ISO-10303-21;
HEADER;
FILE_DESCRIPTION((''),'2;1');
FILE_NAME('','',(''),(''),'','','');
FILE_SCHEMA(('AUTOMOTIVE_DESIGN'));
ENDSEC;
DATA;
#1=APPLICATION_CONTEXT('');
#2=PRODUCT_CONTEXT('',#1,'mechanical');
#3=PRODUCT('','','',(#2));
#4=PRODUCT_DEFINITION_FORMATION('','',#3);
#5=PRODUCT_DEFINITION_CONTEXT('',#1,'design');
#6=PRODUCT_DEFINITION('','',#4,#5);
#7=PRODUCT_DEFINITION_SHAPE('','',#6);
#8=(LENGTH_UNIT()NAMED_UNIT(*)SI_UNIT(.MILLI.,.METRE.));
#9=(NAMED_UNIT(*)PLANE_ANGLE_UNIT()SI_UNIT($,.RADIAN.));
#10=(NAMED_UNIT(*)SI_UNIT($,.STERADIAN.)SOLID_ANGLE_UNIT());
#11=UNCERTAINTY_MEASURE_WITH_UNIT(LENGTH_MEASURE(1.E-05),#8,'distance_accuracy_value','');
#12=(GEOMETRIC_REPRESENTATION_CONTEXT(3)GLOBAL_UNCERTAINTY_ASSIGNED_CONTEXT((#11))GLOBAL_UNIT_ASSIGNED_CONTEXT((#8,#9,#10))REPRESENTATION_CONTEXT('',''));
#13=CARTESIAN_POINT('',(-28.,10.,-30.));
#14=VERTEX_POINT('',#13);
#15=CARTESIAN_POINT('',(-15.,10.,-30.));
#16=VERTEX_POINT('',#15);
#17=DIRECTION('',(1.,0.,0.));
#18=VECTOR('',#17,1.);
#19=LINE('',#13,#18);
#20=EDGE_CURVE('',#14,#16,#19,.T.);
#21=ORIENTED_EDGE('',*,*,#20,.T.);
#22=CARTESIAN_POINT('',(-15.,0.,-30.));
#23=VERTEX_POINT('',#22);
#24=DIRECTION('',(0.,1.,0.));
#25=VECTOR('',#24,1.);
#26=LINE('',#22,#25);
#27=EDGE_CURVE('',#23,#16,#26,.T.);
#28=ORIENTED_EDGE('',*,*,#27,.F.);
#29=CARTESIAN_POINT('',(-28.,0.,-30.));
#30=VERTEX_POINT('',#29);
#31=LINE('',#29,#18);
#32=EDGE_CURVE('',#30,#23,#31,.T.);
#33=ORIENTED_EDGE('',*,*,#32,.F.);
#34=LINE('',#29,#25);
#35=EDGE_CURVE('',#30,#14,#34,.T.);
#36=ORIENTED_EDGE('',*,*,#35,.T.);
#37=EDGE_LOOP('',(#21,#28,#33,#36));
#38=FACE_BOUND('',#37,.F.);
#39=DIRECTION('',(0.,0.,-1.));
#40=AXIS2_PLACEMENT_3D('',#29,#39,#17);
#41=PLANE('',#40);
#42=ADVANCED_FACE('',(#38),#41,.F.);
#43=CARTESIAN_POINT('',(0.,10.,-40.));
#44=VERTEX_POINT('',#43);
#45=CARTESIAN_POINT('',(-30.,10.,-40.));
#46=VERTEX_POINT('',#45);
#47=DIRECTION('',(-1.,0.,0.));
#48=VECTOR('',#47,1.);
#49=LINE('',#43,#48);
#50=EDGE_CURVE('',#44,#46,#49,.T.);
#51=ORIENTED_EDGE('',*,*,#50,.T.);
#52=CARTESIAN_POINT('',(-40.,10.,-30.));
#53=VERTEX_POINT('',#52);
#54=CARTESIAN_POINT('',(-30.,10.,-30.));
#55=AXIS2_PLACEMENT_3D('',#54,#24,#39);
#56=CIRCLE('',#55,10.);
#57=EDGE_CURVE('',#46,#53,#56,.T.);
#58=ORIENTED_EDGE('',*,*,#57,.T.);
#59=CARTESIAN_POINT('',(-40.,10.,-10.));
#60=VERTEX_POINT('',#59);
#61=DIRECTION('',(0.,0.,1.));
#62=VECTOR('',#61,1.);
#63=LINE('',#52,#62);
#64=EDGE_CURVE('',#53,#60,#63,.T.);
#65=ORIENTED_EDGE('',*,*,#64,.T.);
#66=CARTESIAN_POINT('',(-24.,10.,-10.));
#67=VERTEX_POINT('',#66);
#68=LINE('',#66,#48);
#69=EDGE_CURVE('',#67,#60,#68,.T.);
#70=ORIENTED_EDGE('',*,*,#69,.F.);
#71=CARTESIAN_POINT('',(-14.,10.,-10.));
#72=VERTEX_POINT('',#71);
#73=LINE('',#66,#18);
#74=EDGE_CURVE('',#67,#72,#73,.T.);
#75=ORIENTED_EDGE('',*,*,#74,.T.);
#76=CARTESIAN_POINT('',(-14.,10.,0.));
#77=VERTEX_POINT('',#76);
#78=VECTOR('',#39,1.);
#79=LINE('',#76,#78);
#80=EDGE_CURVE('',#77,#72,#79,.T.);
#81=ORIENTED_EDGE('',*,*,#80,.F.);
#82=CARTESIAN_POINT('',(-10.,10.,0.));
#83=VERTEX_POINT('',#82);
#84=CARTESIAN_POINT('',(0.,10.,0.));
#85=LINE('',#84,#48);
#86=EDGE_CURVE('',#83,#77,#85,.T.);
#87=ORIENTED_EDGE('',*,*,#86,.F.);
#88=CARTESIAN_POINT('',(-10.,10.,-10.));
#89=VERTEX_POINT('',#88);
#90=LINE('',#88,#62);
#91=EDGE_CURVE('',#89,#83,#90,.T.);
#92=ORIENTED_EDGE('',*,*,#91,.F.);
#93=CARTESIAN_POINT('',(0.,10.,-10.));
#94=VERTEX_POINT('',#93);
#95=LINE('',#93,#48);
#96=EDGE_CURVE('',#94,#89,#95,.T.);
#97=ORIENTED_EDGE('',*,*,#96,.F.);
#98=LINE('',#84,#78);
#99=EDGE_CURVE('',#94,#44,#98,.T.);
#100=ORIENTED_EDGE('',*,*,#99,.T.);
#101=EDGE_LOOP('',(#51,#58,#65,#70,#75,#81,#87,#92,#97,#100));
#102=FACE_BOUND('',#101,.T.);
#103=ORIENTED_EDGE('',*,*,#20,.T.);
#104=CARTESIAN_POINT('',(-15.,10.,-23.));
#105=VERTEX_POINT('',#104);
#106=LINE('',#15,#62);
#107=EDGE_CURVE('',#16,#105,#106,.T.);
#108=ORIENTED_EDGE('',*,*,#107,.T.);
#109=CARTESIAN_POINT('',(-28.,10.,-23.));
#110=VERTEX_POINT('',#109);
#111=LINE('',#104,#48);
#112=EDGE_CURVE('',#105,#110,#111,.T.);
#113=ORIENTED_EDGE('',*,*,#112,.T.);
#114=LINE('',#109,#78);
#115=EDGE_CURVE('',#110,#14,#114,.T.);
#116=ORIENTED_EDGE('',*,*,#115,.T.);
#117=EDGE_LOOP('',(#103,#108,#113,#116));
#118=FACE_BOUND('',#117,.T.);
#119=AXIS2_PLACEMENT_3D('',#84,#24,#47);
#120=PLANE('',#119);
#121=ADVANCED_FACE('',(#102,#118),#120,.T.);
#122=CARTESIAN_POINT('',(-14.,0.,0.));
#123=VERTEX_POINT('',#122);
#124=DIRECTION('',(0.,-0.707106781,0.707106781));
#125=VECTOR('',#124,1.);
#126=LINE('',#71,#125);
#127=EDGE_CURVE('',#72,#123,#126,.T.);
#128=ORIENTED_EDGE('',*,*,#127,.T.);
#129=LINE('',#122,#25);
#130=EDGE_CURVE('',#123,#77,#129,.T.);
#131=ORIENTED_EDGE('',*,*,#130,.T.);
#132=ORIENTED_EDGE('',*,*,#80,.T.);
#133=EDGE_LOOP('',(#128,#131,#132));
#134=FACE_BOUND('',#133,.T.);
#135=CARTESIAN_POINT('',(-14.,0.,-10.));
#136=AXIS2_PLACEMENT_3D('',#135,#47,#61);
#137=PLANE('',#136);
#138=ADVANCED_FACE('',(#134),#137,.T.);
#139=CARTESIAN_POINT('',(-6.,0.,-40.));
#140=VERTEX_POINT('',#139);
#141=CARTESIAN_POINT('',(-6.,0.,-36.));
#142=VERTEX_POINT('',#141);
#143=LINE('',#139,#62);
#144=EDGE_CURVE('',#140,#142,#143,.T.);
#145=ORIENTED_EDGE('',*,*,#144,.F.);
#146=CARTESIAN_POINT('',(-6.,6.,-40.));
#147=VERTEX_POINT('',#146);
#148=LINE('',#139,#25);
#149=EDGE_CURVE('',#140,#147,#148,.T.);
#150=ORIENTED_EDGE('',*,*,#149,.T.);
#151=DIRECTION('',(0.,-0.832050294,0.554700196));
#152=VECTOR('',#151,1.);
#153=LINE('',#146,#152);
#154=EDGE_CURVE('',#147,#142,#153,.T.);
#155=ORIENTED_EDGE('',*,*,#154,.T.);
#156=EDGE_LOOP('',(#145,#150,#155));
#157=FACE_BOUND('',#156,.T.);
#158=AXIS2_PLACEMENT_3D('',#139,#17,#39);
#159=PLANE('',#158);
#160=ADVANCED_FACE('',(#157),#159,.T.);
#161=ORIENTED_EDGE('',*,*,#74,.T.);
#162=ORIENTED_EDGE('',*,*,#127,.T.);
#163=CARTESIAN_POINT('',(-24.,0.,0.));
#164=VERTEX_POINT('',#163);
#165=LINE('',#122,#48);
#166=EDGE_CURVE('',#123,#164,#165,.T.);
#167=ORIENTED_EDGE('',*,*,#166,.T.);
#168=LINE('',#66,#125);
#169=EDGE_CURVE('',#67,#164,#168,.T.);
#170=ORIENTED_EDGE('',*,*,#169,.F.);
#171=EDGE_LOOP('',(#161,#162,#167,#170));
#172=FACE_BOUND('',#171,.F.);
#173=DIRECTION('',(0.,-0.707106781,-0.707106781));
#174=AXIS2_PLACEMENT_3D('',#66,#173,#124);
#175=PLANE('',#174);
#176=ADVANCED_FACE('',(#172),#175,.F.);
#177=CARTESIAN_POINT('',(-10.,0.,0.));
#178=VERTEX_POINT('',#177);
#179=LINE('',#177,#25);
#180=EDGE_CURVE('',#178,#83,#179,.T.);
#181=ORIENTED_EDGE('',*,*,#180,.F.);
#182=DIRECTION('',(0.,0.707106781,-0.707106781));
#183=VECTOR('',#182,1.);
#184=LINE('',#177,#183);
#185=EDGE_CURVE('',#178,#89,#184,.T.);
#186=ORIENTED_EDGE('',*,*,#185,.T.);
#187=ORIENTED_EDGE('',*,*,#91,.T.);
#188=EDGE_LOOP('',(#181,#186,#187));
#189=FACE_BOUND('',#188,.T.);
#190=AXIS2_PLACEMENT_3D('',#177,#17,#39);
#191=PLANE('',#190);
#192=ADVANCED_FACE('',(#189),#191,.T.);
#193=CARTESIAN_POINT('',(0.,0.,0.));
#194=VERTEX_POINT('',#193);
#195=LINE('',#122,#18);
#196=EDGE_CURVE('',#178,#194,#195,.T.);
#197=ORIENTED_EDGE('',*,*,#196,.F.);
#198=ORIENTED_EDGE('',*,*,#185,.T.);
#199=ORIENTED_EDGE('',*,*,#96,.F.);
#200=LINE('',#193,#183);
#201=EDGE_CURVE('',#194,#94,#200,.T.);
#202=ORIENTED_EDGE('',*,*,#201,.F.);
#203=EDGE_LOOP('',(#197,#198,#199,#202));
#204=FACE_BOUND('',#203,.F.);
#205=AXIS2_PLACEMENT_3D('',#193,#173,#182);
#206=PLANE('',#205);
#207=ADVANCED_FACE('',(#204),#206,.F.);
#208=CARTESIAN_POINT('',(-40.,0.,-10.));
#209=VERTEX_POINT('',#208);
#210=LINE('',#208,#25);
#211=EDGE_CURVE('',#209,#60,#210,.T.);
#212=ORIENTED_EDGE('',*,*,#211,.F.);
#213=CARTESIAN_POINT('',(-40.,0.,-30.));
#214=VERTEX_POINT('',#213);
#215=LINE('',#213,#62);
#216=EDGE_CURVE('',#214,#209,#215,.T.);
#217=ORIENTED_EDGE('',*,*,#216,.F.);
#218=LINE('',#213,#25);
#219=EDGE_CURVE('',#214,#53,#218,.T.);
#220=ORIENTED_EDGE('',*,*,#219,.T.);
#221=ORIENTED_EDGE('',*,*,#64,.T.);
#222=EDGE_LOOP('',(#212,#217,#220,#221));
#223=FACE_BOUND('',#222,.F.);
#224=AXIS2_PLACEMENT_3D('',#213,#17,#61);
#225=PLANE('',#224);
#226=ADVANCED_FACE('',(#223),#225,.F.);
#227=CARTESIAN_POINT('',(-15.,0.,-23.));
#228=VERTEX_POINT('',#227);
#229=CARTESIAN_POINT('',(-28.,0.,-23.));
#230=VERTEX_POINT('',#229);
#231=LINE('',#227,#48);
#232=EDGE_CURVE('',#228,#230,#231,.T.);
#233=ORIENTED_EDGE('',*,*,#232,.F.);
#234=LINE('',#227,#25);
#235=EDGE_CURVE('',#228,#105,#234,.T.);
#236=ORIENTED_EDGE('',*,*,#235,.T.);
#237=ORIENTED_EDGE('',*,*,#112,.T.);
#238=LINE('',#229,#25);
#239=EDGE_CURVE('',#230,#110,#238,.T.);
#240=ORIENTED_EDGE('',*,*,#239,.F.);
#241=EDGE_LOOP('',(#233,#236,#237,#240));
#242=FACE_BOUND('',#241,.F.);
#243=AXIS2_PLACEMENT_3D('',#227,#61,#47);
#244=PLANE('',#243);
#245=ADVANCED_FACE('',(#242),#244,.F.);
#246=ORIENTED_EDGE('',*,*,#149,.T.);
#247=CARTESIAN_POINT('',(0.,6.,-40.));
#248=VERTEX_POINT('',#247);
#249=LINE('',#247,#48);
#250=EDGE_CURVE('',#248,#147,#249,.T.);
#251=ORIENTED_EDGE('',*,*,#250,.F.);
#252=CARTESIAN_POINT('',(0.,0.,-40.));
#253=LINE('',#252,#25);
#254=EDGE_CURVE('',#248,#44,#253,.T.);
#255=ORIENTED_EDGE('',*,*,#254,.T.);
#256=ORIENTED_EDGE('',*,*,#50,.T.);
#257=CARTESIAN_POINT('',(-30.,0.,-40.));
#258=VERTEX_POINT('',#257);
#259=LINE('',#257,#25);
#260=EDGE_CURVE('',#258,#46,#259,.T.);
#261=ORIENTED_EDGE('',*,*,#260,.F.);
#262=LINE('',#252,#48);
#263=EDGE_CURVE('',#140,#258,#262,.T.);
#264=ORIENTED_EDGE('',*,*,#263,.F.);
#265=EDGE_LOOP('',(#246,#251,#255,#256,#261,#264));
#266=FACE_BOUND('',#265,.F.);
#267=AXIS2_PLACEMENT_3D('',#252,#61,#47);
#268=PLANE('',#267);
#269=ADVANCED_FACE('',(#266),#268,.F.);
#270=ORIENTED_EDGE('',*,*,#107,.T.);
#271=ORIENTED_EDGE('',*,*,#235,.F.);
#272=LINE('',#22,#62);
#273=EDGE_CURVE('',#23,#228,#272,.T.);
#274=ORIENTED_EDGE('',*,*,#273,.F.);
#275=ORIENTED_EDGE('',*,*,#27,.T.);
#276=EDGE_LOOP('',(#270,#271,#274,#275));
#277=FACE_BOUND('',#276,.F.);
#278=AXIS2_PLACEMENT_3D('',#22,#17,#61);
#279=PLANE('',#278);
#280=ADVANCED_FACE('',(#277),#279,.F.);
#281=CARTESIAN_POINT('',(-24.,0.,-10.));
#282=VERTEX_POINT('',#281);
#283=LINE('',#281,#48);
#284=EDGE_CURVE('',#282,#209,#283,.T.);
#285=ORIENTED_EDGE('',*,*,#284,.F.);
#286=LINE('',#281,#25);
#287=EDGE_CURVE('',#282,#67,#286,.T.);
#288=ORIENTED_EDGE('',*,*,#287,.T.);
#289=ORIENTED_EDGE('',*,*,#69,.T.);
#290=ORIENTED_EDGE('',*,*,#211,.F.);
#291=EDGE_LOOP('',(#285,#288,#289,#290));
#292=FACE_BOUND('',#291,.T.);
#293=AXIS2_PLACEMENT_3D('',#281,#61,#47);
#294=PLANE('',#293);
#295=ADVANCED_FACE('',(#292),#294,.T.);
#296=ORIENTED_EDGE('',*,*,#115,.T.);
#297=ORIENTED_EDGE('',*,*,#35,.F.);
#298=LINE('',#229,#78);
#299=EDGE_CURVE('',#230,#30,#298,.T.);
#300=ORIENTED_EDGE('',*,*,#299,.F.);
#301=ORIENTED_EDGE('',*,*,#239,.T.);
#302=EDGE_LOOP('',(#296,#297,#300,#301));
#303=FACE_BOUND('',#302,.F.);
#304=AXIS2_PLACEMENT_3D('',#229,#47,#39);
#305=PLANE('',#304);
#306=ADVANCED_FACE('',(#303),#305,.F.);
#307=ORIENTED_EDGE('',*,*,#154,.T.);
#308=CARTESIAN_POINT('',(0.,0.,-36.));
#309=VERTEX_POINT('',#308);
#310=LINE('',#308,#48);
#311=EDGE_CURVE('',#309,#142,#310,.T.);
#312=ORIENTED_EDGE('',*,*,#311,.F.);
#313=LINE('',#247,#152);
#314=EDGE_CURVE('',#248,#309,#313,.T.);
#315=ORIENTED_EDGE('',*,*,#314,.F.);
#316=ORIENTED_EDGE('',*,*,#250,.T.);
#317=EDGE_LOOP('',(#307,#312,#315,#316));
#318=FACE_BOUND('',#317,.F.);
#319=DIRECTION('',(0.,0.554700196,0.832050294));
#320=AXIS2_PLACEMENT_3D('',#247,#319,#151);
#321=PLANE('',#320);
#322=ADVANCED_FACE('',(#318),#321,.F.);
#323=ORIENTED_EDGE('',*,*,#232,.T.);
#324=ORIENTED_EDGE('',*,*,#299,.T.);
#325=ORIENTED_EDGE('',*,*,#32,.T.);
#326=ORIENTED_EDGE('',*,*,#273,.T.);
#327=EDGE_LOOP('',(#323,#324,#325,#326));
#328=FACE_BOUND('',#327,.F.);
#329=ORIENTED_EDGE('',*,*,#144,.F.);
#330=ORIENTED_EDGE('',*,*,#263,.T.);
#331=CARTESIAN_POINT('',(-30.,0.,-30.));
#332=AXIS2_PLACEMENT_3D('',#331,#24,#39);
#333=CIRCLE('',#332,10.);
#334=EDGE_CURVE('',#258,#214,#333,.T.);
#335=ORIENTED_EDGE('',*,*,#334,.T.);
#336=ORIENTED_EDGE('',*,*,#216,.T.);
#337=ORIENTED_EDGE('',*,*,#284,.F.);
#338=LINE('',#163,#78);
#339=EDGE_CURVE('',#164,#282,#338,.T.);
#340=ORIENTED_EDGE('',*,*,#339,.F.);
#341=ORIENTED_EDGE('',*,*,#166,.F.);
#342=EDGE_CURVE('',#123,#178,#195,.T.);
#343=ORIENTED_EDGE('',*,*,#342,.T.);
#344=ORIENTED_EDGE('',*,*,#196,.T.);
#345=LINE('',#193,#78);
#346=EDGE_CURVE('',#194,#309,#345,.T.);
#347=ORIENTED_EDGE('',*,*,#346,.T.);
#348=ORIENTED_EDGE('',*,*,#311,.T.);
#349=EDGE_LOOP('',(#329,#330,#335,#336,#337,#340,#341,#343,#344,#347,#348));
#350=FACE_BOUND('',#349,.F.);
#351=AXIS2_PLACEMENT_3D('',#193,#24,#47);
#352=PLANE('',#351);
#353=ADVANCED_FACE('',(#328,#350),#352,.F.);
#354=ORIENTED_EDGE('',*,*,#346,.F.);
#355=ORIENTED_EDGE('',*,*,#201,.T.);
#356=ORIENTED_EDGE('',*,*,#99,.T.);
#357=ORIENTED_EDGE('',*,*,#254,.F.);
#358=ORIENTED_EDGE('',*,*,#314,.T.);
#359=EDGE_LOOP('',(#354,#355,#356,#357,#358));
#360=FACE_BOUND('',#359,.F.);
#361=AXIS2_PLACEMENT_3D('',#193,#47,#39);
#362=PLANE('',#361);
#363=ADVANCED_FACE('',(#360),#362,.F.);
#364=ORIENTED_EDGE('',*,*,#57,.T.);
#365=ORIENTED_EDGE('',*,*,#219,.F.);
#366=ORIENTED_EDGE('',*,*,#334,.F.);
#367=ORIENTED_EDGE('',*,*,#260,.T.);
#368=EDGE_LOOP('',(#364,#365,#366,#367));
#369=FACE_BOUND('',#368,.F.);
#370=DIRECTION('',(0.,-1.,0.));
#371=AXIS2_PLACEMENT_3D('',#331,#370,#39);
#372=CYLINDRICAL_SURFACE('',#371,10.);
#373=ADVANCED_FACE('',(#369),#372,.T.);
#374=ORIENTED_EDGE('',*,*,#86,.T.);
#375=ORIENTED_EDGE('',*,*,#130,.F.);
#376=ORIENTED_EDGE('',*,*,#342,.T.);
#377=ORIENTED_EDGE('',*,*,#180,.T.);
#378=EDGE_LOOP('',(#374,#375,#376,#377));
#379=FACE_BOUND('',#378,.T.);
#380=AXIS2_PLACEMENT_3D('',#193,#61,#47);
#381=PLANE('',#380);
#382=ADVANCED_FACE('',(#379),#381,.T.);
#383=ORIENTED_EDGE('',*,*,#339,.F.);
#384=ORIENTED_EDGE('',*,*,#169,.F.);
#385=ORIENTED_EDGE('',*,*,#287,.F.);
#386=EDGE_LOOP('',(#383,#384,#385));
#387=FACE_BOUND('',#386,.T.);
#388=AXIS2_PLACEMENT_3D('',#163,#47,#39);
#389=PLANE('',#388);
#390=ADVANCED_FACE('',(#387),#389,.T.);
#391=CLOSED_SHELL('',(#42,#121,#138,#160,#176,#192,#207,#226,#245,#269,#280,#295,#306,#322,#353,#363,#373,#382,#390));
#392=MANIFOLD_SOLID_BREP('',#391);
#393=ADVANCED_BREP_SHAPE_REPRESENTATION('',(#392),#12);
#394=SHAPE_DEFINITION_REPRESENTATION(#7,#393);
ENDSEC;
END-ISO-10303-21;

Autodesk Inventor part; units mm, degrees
ref_plane "YZ Plane" through (0, 0, 0) normal (1, 0, 0) x (0, 1, 0)
ref_plane "XZ Plane" through (0, 0, 0) normal (0, 1, 0) x (-1, 0, 0)
ref_plane "XY Plane" through (0, 0, 0) normal (0, 0, 1) x (1, 0, 0)
sketch "Sketch1" plane through (0, 0, 0) normal (0, 1, 0) x (-1, 0, 0)
  line L0 (0, 0) -> (10, 0)
  line L1 (10, 0) -> (14, 0)
  line L2 (14, 0) -> (24, 0)
  line L3 (24, 0) -> (24, -10)
  line L4 (24, -10) -> (40, -10)
  line L5 (0, 0) -> (0, -40)
  line L6 (0, -40) -> (30, -40)
  line L7 (40, -30) -> (40, -10)
  arc A0 (30, -40) -> (40, -30) centre (30, -30) ccw
  line L8 (28, -30) -> (15, -30)
  line L9 (15, -30) -> (15, -23)
  line L10 (15, -23) -> (28, -23)
  line L11 (28, -23) -> (28, -30)
  dimension "d0" = 10
  dimension "d1" = 4
  dimension "d2" = 10
  dimension "d3" = 10
  dimension "d4" = 16
  dimension "d5" = 40
  dimension "d6" = 10
  dimension "d7" = 13
  dimension "d8" = 7
  dimension "d9" = 13
  dimension "d10" = 12
extrude "Extrusion1" add sketch "Sketch1" along normal blind 10
sketch "Sketch2" plane through (-24, 0, -10) normal (-1, 0, 0) x (0, 0, 1)
  line L0 (0, 0) -> (0, 10) projected
  line L1 (-30, 0) -> (10, 0) projected
  line L2 (0, 10) -> (10, 0)
  line L3 (10, 0) -> (10, 10)
  line L4 (10, 10) -> (0, 10)
extrude "Extrusion2" cut sketch "Sketch2" against normal blind 10 contours L4 L3 L2
sketch "Sketch3" plane through (0, 0, 0) normal (1, 0, 0) x (0, 0, -1)
  line L0 (0, 0) -> (10, 10) projected
  line L1 (0, 0) -> (0, 10) projected
  line L2 (30, 10) -> (10, 10) projected
  line L3 (0, 0) -> (10, 10)
  line L4 (10, 10) -> (0, 10)
  line L5 (0, 10) -> (0, 0)
extrude "Extrusion3" cut sketch "Sketch3" against normal blind 10
sketch "Sketch4" plane through (0, 0, -40) normal (1, 0, 0) x (0, 0, -1)
  line L0 (0, 0) -> (-4, 0)
  line L1 (-10, 0) -> (0, 0) projected
  line L2 (0, 0) -> (0, 10) projected
  line L3 (0, 10) -> (0, 6)
  line L4 (0, 6) -> (-4, 0)
  line L5 (0, 6) -> (0, 0)
  point P0 (-40, 0)
  dimension "d17" = 4
  dimension "d18" = 4
extrude "Extrusion4" cut sketch "Sketch4" against normal blind 6
properties part number "T2 Part I"
